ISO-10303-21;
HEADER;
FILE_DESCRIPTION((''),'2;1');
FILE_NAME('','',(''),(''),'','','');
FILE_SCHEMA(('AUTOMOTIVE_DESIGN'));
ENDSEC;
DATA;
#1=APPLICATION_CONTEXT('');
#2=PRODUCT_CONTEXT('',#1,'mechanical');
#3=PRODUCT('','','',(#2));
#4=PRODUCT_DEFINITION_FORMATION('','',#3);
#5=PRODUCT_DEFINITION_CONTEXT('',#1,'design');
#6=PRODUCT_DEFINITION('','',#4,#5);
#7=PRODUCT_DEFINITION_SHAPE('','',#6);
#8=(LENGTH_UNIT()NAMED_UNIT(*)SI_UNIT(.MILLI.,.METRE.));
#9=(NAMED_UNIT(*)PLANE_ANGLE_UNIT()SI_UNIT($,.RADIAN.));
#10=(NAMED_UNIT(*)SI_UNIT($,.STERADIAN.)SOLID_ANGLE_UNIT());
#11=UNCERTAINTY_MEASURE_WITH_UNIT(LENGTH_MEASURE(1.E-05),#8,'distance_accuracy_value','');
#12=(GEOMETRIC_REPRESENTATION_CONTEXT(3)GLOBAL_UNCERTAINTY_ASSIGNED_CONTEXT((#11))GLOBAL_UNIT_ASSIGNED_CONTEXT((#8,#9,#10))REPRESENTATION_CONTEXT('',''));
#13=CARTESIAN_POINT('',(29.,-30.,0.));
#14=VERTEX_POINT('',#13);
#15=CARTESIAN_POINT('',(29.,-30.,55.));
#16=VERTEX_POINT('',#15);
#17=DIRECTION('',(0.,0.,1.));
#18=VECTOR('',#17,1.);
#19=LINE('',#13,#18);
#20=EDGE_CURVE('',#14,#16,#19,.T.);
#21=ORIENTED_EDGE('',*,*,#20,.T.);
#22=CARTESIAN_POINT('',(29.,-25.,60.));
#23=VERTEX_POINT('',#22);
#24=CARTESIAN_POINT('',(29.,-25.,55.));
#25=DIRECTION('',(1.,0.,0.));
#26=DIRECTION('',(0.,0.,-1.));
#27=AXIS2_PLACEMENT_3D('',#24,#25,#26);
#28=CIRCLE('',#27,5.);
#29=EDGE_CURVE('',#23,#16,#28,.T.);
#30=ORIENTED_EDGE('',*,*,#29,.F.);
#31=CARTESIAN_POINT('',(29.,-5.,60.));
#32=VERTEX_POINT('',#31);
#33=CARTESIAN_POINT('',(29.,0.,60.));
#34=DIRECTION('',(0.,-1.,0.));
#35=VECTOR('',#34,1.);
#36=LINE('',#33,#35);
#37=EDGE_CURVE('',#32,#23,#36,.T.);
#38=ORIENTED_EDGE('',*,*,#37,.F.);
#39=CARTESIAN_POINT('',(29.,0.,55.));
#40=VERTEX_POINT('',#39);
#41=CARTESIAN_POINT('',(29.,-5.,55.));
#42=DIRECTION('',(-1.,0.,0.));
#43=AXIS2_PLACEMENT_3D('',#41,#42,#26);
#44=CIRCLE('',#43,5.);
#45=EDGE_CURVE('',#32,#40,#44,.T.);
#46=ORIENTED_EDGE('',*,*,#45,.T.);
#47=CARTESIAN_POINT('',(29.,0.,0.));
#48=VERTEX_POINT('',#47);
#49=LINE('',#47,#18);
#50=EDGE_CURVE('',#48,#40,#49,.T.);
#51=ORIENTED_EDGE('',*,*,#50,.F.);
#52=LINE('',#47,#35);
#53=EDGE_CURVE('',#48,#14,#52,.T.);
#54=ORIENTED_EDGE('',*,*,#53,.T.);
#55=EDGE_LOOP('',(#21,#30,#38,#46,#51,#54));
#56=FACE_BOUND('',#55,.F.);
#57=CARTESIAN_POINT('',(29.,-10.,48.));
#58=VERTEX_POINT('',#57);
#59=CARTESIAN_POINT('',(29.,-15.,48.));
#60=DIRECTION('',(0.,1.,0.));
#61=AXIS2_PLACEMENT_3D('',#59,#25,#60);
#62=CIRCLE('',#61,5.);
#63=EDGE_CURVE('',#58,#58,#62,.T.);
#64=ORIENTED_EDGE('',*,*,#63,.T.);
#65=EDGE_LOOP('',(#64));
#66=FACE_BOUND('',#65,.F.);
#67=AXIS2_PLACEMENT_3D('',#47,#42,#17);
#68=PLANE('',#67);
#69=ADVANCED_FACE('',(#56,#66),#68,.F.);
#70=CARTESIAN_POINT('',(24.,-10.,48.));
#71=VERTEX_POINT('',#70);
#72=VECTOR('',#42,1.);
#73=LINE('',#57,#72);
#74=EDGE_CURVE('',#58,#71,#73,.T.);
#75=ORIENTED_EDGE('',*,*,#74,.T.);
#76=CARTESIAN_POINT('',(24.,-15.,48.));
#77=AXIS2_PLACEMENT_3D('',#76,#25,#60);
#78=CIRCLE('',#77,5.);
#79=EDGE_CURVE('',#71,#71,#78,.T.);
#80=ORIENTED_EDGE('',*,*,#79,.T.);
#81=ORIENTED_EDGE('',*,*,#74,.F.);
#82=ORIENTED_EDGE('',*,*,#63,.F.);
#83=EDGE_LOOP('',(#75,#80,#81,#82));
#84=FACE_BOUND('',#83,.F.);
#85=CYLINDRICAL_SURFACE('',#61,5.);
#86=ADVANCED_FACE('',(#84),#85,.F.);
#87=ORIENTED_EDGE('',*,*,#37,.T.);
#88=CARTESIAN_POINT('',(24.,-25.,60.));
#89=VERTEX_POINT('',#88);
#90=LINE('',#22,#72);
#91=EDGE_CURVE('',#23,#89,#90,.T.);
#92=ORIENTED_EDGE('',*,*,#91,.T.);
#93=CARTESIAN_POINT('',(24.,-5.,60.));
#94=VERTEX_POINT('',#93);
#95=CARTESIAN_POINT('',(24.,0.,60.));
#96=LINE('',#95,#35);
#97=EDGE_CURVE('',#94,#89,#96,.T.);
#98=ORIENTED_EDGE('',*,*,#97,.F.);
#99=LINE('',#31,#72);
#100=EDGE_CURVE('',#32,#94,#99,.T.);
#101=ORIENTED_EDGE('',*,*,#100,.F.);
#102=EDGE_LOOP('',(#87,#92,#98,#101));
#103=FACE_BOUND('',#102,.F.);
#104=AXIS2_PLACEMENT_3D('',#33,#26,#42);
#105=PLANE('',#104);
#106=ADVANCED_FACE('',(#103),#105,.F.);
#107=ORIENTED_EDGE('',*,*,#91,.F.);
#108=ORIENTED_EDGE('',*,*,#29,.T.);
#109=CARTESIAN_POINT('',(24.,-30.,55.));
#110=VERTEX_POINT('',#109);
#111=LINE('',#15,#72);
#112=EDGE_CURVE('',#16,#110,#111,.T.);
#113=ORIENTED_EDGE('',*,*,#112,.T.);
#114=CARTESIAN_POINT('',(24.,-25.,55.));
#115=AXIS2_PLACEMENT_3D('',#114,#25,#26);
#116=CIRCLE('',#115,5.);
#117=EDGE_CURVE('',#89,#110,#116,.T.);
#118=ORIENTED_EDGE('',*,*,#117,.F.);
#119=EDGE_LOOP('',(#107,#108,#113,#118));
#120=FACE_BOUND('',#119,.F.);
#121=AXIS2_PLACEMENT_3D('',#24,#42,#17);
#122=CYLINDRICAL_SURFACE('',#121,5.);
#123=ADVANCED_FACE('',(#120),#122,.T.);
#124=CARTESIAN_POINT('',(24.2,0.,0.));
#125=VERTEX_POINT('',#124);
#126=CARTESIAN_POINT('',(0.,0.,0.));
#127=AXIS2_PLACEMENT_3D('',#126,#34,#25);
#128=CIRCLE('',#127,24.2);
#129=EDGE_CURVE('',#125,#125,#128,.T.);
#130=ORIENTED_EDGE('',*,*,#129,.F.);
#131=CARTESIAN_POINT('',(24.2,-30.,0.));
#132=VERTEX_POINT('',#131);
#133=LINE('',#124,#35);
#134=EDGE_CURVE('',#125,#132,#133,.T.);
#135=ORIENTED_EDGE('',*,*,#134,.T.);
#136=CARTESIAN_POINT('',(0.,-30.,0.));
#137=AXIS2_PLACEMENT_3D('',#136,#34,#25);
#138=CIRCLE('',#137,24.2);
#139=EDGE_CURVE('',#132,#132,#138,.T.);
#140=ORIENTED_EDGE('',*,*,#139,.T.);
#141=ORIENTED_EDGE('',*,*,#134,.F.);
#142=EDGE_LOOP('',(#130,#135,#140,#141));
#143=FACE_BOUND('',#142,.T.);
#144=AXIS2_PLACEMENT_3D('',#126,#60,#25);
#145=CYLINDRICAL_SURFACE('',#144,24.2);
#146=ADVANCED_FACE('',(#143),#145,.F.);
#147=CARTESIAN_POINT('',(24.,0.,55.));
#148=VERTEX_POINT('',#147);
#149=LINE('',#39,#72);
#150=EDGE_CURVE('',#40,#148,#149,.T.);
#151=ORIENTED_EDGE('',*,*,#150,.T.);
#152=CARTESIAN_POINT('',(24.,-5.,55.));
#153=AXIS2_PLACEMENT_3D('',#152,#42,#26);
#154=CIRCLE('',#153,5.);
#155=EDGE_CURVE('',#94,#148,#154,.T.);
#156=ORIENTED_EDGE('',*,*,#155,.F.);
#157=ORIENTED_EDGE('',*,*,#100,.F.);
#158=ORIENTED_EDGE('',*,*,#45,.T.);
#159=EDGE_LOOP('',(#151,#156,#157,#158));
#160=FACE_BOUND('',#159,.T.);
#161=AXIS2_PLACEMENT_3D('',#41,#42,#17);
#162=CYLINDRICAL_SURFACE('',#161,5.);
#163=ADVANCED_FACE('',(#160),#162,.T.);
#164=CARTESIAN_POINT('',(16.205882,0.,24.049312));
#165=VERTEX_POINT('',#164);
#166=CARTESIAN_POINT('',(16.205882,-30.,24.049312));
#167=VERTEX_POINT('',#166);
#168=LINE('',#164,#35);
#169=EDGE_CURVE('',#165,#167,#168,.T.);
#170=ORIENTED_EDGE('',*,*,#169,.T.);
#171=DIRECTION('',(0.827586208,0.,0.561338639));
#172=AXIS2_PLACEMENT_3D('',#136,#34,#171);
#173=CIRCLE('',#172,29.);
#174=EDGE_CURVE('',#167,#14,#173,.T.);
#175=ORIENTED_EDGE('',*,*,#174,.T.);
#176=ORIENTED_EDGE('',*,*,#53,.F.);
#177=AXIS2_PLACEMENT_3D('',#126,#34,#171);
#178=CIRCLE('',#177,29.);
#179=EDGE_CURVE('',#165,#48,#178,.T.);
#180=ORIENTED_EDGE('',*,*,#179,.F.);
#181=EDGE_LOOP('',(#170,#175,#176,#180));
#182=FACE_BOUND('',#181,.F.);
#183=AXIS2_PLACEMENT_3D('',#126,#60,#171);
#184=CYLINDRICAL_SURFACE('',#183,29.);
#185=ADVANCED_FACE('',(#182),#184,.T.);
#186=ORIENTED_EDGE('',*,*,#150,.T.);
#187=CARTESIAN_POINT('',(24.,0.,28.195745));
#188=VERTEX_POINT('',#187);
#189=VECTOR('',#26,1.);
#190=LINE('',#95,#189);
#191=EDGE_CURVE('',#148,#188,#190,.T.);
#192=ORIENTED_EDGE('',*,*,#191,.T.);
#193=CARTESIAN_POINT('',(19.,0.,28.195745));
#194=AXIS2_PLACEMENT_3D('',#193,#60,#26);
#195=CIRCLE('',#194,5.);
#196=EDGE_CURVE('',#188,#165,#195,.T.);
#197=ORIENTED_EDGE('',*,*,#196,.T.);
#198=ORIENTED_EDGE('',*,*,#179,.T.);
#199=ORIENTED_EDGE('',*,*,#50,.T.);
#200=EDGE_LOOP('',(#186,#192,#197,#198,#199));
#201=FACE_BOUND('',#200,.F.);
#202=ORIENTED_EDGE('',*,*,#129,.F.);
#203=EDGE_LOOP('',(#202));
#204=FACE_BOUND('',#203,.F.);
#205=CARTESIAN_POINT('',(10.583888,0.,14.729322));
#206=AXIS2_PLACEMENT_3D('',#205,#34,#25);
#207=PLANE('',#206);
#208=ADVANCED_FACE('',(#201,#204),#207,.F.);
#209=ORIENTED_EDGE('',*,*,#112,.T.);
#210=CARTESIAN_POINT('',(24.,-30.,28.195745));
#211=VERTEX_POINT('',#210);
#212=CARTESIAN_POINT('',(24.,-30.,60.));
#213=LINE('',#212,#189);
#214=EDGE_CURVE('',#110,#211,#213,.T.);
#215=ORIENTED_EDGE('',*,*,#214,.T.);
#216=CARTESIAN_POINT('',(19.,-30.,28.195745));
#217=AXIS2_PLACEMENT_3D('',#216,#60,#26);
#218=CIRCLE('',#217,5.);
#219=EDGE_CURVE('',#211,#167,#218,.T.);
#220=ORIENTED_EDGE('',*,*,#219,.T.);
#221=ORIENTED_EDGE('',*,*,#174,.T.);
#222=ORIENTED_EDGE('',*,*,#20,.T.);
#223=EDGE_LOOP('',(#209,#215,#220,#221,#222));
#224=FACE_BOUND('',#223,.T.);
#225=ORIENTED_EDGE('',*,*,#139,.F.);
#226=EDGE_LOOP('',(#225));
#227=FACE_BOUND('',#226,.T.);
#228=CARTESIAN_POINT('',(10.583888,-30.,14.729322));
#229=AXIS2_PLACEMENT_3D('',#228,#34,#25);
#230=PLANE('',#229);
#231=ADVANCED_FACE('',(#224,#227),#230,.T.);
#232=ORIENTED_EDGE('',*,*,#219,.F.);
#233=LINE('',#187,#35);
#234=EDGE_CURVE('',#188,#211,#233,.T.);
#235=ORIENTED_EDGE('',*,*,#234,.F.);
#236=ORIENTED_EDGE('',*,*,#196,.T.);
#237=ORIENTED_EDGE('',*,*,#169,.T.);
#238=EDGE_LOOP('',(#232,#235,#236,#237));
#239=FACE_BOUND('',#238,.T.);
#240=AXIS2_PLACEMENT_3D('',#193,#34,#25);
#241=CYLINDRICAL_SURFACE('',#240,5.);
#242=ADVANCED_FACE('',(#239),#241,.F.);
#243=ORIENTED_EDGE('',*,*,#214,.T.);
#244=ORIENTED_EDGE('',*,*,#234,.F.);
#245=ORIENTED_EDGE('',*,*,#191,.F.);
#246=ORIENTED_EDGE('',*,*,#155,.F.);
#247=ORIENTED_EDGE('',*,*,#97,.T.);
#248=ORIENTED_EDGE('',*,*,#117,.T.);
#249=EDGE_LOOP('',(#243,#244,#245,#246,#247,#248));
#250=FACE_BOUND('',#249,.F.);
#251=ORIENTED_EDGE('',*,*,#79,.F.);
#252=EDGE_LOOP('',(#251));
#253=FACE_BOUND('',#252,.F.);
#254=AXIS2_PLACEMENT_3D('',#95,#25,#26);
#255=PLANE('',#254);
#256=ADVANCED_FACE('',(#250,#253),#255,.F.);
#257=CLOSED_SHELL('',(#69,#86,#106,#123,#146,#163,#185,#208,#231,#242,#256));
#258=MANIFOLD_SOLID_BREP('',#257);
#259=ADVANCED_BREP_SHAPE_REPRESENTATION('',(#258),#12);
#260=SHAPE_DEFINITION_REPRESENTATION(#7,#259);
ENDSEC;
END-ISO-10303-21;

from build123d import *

# Parameters (mm, degrees)
F0_R     = 24.2
F1_DEPTH = 30
F2_R     = 5
F3_DEPTH = 25
F4_R     = 5


with BuildPart() as f1:
    # F0 (on Front) → F1 (new body)
    with BuildSketch(Plane.XZ):
        with BuildLine():
            Line((24, 60), (24, 16.278821))
            ThreePointArc((24, 16.278821), (-27.721833, -8.514693), (29, 0))
            Line((29, 0), (29, 60))
            Line((29, 60), (24, 60))
        make_face()
        Circle(F0_R, mode=Mode.SUBTRACT)
    extrude(amount=F1_DEPTH)

    # F2 (on face) → F3 (cut)
    with BuildSketch(Plane.YZ.offset(29)):
        with Locations((-15, 48)):
            Circle(F2_R)
    extrude(amount=-F3_DEPTH, mode=Mode.SUBTRACT)

    # F4
    f4_edges = [f1.edges().sort_by_distance(p)[0] for p in [
        (24, -15, 16.278821),
        (26.5, -30, 60),
        (26.5, 0, 60),
    ]]
    fillet(f4_edges, radius=F4_R)


solid = f1.part
